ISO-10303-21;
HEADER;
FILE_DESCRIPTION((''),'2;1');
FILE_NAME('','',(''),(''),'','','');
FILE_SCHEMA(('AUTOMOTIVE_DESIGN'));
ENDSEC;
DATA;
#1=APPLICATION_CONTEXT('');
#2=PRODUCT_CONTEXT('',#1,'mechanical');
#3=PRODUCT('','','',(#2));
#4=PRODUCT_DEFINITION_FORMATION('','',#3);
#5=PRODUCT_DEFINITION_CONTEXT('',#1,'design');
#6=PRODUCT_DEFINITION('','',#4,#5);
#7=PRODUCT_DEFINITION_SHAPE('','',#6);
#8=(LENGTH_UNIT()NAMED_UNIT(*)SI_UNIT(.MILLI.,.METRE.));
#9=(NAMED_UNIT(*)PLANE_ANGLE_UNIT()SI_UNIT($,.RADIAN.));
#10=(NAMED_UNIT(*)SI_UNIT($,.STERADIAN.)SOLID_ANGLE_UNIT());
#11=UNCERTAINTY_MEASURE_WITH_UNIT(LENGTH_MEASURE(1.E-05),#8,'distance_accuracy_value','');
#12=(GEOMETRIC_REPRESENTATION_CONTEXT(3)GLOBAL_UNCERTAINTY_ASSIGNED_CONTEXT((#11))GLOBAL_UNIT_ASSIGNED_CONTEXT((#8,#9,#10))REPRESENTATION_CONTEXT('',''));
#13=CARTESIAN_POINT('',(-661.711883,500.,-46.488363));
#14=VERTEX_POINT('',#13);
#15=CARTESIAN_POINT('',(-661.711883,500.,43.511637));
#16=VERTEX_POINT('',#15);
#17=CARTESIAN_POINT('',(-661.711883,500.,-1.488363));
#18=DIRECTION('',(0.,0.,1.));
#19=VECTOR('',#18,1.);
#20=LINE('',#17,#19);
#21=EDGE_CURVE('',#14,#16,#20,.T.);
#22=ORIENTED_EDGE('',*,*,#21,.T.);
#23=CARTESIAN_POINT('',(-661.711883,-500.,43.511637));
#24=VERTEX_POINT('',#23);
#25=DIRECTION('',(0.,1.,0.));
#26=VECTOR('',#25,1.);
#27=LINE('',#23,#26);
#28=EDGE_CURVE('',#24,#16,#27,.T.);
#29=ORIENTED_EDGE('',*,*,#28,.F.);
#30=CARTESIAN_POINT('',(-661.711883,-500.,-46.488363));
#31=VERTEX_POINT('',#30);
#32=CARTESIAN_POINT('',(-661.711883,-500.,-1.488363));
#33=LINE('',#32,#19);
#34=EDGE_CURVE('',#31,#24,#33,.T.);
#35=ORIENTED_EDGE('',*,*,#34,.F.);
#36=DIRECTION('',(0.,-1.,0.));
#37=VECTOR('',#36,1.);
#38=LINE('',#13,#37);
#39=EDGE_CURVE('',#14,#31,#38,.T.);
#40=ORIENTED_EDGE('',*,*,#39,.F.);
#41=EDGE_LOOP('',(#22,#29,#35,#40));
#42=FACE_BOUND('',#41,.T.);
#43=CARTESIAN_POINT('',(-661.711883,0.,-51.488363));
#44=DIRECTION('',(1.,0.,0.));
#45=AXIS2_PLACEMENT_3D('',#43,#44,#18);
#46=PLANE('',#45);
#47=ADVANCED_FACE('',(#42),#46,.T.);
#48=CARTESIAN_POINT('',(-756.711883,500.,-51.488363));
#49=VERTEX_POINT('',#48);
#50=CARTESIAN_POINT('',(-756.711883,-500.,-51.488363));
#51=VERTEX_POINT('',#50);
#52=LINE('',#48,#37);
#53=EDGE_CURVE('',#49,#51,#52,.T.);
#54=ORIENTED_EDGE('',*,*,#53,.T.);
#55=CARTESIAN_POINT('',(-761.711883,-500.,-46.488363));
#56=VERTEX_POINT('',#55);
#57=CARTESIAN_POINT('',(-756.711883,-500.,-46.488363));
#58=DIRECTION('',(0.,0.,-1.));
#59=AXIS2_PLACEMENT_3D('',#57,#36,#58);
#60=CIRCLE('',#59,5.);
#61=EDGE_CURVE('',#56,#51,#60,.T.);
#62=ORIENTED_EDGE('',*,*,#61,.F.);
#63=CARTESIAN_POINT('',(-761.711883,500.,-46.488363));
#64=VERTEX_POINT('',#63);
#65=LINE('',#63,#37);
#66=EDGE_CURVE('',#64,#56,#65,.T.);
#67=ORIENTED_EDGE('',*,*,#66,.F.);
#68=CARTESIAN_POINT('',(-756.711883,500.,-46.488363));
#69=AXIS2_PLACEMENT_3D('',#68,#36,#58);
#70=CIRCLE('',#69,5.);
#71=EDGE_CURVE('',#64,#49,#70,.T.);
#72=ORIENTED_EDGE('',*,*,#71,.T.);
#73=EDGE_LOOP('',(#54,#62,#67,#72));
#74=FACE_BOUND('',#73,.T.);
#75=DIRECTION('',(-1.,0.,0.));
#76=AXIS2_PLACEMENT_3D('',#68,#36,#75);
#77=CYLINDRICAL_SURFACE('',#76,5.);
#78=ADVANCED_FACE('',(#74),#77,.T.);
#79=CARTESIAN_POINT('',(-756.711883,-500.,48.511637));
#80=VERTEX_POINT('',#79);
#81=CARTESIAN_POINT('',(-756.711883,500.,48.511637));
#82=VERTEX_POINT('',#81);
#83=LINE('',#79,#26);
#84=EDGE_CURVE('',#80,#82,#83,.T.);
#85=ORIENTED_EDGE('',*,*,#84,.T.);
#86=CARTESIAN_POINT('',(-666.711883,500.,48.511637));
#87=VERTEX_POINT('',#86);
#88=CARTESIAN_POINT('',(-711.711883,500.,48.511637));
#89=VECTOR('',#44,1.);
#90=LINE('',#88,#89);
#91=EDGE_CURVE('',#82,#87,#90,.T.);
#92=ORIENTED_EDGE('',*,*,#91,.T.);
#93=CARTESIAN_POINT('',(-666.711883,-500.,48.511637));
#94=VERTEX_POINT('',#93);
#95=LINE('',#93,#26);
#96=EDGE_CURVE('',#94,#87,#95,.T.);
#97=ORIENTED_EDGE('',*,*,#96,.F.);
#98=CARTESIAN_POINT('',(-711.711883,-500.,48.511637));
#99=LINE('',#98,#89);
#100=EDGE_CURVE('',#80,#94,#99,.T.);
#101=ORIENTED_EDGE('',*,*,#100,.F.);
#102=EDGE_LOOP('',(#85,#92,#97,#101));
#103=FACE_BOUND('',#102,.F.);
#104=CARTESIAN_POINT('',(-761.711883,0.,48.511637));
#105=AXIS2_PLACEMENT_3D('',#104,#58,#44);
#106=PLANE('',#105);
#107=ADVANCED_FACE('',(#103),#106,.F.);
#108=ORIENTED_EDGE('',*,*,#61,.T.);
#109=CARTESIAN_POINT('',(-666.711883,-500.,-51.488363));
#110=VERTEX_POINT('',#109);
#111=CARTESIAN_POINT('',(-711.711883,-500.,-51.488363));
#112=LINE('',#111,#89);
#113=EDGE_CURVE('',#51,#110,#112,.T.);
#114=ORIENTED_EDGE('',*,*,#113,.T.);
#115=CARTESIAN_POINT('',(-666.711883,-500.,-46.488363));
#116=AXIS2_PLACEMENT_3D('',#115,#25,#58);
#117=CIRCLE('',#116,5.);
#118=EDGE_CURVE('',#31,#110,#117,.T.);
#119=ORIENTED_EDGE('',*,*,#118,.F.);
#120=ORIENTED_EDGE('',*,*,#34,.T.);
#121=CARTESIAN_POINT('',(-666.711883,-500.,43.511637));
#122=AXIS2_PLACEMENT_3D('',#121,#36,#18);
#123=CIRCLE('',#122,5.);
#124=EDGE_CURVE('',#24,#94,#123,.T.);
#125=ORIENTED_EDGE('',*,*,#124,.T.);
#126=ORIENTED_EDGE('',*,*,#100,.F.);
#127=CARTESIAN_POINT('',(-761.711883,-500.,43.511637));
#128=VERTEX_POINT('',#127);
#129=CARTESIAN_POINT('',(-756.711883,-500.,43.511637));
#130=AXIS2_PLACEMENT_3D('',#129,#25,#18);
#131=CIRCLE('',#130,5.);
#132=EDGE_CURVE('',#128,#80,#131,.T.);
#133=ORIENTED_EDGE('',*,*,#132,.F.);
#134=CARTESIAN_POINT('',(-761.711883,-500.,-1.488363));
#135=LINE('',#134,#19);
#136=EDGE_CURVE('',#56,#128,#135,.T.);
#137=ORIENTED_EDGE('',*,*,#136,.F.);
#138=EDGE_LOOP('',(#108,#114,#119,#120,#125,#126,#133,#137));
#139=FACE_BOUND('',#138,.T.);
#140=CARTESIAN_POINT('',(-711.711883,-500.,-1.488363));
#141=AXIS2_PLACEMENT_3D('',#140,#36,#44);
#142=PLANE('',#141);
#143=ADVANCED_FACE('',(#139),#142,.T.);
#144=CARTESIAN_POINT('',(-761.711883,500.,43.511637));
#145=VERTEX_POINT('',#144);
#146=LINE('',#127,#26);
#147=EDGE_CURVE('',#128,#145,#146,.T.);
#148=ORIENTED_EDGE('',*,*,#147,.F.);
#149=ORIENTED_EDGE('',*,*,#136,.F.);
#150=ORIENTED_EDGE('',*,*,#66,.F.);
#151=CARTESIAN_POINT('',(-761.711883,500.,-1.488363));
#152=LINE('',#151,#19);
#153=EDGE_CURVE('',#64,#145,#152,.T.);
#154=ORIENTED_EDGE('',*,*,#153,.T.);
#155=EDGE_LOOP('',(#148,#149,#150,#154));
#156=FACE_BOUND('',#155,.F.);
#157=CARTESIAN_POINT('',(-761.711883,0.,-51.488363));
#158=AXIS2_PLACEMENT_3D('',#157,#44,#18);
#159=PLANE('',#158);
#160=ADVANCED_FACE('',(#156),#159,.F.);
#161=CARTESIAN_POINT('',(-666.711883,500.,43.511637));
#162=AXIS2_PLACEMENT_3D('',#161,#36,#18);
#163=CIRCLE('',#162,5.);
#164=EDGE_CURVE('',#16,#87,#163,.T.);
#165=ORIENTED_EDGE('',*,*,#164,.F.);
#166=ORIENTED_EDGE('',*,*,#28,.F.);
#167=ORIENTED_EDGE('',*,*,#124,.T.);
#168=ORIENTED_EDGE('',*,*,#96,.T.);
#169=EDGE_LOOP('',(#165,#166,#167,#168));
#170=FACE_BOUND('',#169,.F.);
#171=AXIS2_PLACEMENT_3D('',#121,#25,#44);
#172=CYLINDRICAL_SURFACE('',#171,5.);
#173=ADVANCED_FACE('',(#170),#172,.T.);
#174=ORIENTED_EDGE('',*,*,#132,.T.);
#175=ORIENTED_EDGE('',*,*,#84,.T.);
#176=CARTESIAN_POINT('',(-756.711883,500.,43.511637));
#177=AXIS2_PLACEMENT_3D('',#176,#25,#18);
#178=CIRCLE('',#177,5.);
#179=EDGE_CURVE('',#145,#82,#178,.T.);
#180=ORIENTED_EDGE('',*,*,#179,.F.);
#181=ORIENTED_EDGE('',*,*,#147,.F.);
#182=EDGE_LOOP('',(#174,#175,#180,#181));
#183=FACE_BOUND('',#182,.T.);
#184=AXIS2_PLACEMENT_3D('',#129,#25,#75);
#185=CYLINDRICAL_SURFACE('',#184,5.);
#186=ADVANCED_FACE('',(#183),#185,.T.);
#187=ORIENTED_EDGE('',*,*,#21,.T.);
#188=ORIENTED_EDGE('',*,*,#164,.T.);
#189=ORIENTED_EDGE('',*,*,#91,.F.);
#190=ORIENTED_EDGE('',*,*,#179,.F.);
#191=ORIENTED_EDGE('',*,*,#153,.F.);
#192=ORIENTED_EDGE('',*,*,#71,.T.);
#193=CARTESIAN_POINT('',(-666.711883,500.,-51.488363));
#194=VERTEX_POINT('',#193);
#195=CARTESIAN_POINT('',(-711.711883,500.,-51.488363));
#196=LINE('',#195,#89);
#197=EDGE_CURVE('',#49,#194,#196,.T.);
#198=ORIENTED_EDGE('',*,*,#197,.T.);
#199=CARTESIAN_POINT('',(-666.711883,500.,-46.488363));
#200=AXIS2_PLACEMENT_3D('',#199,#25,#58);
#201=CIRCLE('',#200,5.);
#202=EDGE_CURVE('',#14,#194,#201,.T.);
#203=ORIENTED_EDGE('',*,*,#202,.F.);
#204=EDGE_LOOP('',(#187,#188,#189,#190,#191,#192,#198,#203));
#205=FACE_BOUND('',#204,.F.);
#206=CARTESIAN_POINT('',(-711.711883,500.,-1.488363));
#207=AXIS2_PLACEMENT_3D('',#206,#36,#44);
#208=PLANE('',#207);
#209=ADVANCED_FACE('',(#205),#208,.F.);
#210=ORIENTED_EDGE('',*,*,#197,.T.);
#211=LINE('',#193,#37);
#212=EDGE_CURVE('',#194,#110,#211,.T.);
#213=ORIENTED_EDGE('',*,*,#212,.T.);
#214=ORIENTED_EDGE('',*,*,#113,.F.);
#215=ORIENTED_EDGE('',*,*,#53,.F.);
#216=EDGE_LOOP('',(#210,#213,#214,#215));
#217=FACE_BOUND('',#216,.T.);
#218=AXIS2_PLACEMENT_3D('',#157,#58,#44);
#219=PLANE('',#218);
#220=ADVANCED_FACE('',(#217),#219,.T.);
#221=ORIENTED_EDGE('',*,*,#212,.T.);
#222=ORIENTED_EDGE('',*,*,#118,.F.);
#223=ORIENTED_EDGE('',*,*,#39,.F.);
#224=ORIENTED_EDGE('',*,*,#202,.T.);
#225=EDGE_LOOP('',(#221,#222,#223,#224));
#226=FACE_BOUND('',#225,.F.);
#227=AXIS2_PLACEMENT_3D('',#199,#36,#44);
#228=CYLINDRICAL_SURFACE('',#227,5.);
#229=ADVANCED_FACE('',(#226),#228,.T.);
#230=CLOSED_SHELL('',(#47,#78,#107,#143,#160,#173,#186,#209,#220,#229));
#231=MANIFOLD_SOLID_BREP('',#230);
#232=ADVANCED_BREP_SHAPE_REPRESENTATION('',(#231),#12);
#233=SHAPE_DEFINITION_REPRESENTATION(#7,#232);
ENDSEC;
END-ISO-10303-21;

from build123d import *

# Parameters (mm, degrees)
F0_W     = 100
F0_H     = 100
F1_DEPTH = 500
F2_R     = 5


with BuildPart() as f1:
    # F0 (on Front) → F1 (new body, symmetric)
    with BuildSketch(Plane.XZ):
        with Locations((-711.711883, -1.488363)):
            Rectangle(F0_W, F0_H)
    extrude(amount=F1_DEPTH, both=True)

    # F2
    f2_edges = [f1.edges().sort_by_distance(p)[0] for p in [
        (-761.711883, 0, -51.488363),
        (-661.711883, 0, -51.488363),
        (-661.711883, 0, 48.511637),
        (-761.711883, 0, 48.511637),
    ]]
    fillet(f2_edges, radius=F2_R)


solid = f1.part
